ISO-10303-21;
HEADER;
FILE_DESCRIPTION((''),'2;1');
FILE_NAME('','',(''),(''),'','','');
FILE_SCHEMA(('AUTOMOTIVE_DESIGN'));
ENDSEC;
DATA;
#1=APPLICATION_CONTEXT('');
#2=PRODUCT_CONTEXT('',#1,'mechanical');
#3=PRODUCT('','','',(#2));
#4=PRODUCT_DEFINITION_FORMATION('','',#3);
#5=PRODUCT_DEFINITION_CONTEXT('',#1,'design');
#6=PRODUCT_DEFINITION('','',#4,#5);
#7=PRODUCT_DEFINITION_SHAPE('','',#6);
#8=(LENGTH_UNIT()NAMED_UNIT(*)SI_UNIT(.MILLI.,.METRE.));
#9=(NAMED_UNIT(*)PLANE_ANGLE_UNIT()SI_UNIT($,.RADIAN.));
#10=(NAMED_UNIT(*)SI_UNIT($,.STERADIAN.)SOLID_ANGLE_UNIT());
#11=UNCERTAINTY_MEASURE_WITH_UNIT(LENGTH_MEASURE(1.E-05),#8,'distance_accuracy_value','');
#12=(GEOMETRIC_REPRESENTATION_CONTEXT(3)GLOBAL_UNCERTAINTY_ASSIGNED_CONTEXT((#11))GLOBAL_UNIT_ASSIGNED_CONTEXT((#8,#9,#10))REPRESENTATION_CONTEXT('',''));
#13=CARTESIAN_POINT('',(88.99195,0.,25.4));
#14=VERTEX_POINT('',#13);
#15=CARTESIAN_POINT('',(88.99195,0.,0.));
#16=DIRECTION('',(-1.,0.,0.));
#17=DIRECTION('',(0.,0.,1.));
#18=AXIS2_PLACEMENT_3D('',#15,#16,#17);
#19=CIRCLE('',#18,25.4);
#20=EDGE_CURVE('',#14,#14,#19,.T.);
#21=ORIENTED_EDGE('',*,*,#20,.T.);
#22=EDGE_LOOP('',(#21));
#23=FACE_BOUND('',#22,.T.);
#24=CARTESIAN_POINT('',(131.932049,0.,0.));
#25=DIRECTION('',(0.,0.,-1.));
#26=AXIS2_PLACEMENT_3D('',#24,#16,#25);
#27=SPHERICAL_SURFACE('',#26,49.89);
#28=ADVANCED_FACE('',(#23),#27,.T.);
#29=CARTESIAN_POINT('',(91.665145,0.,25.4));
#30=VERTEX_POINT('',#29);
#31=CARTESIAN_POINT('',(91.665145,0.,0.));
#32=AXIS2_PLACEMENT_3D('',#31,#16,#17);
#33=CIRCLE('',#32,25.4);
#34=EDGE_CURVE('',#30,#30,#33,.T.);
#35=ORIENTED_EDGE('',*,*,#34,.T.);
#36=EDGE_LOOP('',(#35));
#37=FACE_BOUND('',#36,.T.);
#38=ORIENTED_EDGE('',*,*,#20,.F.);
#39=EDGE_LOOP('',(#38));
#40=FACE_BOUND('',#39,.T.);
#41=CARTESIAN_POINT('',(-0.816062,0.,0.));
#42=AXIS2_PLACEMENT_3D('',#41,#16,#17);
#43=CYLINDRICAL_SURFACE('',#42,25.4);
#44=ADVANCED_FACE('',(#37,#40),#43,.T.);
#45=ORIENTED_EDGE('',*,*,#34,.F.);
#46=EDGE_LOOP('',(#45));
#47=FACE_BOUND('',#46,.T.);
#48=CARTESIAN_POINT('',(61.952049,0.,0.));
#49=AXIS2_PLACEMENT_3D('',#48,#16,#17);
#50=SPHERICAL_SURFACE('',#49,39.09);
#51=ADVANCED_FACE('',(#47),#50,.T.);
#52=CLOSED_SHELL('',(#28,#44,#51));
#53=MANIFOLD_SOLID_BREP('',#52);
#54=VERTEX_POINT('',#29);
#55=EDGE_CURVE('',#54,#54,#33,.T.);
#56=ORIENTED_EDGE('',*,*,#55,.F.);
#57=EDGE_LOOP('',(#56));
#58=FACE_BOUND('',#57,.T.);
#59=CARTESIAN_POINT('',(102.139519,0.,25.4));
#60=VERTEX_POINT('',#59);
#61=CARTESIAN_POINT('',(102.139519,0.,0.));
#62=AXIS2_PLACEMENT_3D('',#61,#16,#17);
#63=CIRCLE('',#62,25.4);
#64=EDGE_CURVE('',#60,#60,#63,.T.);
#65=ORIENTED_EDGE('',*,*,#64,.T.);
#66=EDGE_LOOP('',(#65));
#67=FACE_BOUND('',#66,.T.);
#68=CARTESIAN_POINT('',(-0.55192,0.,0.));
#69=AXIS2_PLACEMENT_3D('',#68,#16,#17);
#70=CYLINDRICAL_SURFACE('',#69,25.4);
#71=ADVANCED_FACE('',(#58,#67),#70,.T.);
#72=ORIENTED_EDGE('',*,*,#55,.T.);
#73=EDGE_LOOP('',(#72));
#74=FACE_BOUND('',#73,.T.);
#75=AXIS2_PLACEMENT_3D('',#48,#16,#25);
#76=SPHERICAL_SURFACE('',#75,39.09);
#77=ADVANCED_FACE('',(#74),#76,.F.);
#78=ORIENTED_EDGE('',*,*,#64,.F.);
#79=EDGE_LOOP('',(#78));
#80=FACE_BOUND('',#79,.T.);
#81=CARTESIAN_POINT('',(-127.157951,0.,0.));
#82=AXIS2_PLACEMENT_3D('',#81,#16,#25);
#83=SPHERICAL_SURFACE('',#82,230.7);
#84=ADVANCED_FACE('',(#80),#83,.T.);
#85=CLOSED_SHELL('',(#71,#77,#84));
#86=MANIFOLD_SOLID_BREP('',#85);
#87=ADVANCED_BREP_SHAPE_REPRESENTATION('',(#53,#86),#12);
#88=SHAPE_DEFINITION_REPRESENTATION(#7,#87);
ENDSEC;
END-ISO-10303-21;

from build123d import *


with BuildPart() as part:
    # 草图1 one side → 旋转1 (revolve)
    with BuildSketch(Plane(origin=(0, 0, 0), x_dir=(1, 0, 0), z_dir=(0, 1, 0)), mode=Mode.PRIVATE) as revolve_1_sk:
        with BuildLine():
            ThreePointArc((88.991949675, 25.4), (83.810880554, 13.166825018), (82.042048651, 0))
            Line((82.042048651, 0), (101.042048651, 0))
            ThreePointArc((101.042048651, 0), (98.622970645, 13.537783426), (91.66514509, 25.4))
            Line((91.66514509, 25.4), (88.991949675, 25.4))
        make_face()
    revolve(revolve_1_sk.sketch.rotate(Axis((-0.816062176, 0, 0), (1, 0, 0)), 180), axis=Axis((-0.816062176, 0, 0), (1, 0, 0)))  # turned: the seam where the file's is


with BuildPart() as body_2:
    # 草图2 one side → 旋转2 (revolve)
    with BuildSketch(Plane(origin=(0, 0, 0), x_dir=(1, 0, 0), z_dir=(0, 1, 0))):
        with BuildLine():
            Line((102.139519199, 25.4), (91.66514509, 25.4))
            ThreePointArc((91.66514509, 25.4), (98.622970645, 13.537783426), (101.042048651, 0))
            Line((101.042048651, 0), (103.542048651, 0))
            ThreePointArc((103.542048651, 0), (103.191149425, 12.719346375), (102.139519199, 25.4))
        make_face()
    revolve(axis=Axis((-0.551919993, 0, 0), (1, 0, 0)))


solid = Compound([part.part, body_2.part])
